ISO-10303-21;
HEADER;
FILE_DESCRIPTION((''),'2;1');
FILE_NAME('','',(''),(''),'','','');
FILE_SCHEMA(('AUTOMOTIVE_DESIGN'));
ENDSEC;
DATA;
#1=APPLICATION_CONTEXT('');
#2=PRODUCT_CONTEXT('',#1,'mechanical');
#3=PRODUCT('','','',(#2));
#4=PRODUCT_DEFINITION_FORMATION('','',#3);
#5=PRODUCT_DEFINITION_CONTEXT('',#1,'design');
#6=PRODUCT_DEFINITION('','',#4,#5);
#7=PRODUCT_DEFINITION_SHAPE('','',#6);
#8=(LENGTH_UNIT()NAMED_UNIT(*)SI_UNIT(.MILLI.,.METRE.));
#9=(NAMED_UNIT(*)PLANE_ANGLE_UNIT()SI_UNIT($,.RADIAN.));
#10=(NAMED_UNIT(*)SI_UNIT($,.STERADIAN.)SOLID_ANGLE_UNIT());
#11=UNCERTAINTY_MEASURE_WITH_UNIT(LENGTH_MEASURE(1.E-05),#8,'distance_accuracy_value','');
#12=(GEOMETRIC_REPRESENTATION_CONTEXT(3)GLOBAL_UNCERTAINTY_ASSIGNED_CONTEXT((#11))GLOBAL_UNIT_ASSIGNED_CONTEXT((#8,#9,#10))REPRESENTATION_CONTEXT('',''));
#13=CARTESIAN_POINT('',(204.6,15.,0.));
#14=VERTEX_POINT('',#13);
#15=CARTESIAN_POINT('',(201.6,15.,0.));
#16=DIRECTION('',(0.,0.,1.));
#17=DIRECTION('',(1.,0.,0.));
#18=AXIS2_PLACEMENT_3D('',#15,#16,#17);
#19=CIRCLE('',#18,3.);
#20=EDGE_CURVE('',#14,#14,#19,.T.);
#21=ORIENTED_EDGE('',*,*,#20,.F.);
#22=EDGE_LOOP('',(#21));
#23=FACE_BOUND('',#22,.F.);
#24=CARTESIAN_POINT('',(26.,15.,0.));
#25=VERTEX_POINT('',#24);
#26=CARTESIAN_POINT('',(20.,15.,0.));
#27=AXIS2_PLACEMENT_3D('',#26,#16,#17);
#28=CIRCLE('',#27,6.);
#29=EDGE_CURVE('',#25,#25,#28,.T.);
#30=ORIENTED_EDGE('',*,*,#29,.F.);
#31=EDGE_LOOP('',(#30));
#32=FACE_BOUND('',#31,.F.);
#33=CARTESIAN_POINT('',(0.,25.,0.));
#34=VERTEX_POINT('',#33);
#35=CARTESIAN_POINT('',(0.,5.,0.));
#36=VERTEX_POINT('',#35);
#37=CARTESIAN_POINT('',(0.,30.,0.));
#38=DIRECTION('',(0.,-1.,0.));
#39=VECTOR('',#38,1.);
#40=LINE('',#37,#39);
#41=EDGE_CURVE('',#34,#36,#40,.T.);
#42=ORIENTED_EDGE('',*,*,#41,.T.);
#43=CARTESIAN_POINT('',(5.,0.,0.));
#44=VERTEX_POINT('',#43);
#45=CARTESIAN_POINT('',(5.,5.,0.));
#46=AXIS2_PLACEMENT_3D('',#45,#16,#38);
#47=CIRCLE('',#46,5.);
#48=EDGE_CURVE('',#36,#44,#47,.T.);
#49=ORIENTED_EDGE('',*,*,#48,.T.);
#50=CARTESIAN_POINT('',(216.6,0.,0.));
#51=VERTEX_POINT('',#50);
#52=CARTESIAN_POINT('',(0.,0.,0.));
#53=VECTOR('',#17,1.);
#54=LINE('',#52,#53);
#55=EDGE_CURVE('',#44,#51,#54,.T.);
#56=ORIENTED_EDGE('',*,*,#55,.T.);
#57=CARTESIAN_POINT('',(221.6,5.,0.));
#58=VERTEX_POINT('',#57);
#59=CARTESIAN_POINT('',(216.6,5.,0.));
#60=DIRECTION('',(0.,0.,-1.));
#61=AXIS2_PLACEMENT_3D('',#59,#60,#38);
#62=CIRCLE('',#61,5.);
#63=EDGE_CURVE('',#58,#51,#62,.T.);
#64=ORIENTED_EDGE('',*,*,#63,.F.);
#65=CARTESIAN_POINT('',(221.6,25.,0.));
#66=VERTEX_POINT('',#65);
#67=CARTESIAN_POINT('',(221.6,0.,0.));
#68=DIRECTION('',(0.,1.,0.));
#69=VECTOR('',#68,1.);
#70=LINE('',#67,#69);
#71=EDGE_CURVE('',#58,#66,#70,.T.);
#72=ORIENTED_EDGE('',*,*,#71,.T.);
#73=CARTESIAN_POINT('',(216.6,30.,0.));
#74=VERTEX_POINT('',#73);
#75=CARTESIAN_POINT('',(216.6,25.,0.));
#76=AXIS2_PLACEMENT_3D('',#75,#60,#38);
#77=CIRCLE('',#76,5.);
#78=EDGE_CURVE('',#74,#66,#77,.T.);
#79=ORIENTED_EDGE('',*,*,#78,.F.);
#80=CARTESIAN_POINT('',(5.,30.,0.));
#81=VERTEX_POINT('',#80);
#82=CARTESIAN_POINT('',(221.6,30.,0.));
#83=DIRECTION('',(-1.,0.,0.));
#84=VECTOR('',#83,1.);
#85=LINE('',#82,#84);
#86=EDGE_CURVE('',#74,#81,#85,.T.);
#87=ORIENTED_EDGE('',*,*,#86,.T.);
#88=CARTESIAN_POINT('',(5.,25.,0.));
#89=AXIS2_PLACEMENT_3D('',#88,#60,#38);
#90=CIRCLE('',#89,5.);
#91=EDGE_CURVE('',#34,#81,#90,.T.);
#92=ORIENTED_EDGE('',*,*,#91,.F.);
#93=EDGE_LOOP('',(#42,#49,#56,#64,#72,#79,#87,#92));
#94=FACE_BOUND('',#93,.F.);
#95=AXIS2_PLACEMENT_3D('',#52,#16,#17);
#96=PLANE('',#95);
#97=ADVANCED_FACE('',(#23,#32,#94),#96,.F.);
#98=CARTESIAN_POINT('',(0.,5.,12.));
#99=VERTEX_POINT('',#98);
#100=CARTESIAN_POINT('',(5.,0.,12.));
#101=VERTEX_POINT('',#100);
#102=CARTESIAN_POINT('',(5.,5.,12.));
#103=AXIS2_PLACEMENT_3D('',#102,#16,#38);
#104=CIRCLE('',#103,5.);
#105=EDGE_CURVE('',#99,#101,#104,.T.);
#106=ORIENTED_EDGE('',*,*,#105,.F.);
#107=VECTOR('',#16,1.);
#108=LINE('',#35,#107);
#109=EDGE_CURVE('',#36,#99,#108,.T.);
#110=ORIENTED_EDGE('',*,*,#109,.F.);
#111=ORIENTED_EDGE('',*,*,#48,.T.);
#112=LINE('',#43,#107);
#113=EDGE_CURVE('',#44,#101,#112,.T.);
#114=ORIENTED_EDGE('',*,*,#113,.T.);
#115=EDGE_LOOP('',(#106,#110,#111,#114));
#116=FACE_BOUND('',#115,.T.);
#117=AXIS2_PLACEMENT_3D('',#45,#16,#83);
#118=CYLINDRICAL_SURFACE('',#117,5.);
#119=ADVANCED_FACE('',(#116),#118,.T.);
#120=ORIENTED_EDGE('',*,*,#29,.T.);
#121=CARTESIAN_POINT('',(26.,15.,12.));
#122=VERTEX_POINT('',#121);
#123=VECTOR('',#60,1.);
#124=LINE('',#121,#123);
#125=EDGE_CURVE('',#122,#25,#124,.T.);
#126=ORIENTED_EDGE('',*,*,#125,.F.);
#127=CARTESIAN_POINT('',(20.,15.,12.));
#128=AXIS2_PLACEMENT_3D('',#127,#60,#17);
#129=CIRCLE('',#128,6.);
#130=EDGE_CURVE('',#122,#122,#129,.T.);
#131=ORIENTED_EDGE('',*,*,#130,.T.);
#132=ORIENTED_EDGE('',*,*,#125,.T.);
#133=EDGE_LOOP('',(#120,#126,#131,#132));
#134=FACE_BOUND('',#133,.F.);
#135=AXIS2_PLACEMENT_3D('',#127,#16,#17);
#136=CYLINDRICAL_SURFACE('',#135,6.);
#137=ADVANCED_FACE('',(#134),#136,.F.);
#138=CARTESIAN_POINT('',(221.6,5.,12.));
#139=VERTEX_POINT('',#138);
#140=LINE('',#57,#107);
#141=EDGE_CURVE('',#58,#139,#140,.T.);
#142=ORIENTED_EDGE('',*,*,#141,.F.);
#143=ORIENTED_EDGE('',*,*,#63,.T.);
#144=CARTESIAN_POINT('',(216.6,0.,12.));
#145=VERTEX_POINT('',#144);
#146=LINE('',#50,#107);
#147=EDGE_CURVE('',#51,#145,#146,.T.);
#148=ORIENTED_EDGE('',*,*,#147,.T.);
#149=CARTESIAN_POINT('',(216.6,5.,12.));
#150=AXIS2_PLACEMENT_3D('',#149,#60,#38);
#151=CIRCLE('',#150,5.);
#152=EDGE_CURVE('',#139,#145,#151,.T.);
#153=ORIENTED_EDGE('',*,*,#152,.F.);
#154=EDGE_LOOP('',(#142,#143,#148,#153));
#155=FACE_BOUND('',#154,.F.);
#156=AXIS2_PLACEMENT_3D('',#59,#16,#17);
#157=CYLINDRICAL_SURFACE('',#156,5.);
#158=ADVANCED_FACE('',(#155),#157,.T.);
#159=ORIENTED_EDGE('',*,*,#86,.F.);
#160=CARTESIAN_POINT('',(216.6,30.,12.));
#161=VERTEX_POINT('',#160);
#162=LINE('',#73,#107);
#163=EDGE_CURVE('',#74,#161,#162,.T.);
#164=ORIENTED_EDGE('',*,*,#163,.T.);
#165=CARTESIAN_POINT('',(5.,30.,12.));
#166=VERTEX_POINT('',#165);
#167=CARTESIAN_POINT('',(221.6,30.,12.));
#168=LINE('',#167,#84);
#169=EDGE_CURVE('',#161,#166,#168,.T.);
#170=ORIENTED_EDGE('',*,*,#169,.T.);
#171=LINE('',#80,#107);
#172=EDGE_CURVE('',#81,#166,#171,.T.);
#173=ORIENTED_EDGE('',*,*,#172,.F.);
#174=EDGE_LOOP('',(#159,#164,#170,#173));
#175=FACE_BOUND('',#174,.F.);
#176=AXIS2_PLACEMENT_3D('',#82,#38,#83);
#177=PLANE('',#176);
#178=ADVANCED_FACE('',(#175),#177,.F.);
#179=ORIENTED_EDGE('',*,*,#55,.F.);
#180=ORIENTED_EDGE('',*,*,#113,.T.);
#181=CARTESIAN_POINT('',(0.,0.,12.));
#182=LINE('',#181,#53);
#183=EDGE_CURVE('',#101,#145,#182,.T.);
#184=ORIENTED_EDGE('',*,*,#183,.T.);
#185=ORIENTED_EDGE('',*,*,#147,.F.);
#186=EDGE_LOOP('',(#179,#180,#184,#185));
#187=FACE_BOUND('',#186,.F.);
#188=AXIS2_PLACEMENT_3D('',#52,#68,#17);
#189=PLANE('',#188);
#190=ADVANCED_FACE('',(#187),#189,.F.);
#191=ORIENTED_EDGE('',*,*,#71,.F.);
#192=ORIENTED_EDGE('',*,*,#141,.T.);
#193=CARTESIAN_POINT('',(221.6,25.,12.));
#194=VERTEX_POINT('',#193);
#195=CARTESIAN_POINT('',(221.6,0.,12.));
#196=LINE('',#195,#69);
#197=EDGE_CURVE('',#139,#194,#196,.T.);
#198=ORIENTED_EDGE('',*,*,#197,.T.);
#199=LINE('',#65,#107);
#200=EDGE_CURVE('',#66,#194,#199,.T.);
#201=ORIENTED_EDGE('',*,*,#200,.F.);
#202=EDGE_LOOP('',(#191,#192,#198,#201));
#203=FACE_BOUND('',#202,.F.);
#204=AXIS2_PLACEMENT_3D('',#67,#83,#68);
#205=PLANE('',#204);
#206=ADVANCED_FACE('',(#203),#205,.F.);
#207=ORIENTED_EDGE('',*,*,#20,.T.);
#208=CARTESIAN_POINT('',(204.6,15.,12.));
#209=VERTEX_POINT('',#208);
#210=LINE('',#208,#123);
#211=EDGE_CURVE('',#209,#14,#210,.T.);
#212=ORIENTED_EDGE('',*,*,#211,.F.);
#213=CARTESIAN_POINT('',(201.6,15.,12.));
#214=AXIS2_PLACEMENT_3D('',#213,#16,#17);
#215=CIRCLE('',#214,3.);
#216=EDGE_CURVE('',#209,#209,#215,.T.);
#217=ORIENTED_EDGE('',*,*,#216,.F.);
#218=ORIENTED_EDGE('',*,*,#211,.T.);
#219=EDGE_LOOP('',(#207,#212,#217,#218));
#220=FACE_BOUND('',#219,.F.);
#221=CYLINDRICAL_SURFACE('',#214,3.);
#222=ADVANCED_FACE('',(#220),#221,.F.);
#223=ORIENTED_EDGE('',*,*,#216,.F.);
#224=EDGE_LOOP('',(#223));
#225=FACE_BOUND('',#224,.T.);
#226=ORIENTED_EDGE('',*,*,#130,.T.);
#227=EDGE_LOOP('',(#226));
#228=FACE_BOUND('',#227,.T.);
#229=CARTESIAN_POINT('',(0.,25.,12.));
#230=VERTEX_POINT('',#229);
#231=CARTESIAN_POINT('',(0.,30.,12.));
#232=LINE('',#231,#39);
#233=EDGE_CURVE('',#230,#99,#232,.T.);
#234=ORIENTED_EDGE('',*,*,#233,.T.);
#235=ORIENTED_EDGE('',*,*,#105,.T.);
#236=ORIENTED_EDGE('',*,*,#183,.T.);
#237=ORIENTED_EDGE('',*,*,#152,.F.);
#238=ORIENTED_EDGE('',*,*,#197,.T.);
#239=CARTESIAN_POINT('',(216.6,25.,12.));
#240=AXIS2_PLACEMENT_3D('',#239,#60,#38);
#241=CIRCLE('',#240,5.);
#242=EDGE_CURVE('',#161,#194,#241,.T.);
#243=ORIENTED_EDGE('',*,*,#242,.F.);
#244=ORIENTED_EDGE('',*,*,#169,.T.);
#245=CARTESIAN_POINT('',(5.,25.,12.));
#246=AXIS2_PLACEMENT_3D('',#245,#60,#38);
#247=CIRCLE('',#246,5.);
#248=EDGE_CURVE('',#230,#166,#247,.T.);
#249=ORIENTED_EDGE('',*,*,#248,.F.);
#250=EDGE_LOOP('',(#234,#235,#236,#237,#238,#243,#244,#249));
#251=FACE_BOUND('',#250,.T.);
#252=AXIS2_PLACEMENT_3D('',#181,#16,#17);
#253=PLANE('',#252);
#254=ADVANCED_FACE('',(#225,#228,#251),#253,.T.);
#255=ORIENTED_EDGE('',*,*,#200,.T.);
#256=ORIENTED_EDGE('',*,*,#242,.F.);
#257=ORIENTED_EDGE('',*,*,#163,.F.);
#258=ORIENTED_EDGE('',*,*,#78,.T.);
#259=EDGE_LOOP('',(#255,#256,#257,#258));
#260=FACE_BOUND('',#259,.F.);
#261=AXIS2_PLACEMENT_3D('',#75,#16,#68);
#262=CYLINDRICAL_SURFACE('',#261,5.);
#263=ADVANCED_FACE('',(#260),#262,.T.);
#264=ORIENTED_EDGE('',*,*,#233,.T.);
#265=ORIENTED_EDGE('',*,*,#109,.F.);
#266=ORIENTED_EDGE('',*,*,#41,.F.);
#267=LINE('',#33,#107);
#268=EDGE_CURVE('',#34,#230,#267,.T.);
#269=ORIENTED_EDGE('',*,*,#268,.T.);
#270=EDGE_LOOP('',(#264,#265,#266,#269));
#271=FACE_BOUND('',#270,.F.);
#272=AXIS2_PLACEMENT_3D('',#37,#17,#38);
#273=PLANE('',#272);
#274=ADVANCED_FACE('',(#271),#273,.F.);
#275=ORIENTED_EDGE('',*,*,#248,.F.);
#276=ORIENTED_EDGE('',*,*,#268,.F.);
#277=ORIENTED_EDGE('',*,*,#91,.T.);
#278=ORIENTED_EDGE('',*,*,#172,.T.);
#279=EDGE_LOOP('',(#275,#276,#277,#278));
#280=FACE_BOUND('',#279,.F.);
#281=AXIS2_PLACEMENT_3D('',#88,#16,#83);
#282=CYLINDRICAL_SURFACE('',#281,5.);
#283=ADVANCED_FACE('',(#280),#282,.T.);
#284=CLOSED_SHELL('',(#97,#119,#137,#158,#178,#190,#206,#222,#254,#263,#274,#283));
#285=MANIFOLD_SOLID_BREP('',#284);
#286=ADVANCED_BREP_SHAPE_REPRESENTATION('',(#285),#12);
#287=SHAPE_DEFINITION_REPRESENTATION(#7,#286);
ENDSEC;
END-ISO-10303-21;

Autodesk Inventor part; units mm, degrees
ref_plane "YZ Plane" through (0, 0, 0) normal (1, 0, 0) x (0, 1, 0)
ref_plane "XZ Plane" through (0, 0, 0) normal (0, 1, 0) x (-1, 0, 0)
ref_plane "XY Plane" through (0, 0, 0) normal (0, 0, 1) x (1, 0, 0)
sketch "Sketch1" plane through (0, 0, 0) normal (0, 0, 1) x (1, 0, 0)
  line L0 (0, 0) -> (221.6, 0)
  line L1 (221.6, 0) -> (221.6, 30)
  line L2 (221.6, 30) -> (0, 30)
  line L3 (0, 30) -> (0, 0)
  dimension "d0" = 221.6
  dimension "d1" = 30
extrude "Extrusion1" add sketch "Sketch1" along normal blind 12
fillet "Fillet1" radius 5 4 edges at (0, 30, 6) (0, 0, 6) (221.6, 0, 6) (221.6, 30, 6)
sketch "Sketch2" plane through (0, 0, 12) normal (0, 0, 1) x (1, 0, 0)
  line L0 (0, 25) -> (0, 5) projected
  line L1 (0, 15) -> (20, 15)
  circle A0 centre (20, 15) radius 6
  line L2 (5, 0) -> (216.6, 0) projected
  line L3 (110.8, 0) -> (110.8, 30)
  line L4 (216.6, 30) -> (5, 30) projected
  line L5 (221.6, 5) -> (221.6, 25) projected
  line L6 (221.6, 15) -> (201.6, 15)
  circle A1 centre (201.6, 15) radius 3
  point P0 (0, 0)
  dimension "d5" = 20
  dimension "d6" = 12
  dimension "d9" = 20
  dimension "d10" = 6
extrude "Extrusion2" cut sketch "Sketch2" against normal through all
ref_plane "Work Plane1" through (0, 0, 6) normal (0, 0, 1) x (1, 0, 0)
properties part number "Fourbar-Rocker"
